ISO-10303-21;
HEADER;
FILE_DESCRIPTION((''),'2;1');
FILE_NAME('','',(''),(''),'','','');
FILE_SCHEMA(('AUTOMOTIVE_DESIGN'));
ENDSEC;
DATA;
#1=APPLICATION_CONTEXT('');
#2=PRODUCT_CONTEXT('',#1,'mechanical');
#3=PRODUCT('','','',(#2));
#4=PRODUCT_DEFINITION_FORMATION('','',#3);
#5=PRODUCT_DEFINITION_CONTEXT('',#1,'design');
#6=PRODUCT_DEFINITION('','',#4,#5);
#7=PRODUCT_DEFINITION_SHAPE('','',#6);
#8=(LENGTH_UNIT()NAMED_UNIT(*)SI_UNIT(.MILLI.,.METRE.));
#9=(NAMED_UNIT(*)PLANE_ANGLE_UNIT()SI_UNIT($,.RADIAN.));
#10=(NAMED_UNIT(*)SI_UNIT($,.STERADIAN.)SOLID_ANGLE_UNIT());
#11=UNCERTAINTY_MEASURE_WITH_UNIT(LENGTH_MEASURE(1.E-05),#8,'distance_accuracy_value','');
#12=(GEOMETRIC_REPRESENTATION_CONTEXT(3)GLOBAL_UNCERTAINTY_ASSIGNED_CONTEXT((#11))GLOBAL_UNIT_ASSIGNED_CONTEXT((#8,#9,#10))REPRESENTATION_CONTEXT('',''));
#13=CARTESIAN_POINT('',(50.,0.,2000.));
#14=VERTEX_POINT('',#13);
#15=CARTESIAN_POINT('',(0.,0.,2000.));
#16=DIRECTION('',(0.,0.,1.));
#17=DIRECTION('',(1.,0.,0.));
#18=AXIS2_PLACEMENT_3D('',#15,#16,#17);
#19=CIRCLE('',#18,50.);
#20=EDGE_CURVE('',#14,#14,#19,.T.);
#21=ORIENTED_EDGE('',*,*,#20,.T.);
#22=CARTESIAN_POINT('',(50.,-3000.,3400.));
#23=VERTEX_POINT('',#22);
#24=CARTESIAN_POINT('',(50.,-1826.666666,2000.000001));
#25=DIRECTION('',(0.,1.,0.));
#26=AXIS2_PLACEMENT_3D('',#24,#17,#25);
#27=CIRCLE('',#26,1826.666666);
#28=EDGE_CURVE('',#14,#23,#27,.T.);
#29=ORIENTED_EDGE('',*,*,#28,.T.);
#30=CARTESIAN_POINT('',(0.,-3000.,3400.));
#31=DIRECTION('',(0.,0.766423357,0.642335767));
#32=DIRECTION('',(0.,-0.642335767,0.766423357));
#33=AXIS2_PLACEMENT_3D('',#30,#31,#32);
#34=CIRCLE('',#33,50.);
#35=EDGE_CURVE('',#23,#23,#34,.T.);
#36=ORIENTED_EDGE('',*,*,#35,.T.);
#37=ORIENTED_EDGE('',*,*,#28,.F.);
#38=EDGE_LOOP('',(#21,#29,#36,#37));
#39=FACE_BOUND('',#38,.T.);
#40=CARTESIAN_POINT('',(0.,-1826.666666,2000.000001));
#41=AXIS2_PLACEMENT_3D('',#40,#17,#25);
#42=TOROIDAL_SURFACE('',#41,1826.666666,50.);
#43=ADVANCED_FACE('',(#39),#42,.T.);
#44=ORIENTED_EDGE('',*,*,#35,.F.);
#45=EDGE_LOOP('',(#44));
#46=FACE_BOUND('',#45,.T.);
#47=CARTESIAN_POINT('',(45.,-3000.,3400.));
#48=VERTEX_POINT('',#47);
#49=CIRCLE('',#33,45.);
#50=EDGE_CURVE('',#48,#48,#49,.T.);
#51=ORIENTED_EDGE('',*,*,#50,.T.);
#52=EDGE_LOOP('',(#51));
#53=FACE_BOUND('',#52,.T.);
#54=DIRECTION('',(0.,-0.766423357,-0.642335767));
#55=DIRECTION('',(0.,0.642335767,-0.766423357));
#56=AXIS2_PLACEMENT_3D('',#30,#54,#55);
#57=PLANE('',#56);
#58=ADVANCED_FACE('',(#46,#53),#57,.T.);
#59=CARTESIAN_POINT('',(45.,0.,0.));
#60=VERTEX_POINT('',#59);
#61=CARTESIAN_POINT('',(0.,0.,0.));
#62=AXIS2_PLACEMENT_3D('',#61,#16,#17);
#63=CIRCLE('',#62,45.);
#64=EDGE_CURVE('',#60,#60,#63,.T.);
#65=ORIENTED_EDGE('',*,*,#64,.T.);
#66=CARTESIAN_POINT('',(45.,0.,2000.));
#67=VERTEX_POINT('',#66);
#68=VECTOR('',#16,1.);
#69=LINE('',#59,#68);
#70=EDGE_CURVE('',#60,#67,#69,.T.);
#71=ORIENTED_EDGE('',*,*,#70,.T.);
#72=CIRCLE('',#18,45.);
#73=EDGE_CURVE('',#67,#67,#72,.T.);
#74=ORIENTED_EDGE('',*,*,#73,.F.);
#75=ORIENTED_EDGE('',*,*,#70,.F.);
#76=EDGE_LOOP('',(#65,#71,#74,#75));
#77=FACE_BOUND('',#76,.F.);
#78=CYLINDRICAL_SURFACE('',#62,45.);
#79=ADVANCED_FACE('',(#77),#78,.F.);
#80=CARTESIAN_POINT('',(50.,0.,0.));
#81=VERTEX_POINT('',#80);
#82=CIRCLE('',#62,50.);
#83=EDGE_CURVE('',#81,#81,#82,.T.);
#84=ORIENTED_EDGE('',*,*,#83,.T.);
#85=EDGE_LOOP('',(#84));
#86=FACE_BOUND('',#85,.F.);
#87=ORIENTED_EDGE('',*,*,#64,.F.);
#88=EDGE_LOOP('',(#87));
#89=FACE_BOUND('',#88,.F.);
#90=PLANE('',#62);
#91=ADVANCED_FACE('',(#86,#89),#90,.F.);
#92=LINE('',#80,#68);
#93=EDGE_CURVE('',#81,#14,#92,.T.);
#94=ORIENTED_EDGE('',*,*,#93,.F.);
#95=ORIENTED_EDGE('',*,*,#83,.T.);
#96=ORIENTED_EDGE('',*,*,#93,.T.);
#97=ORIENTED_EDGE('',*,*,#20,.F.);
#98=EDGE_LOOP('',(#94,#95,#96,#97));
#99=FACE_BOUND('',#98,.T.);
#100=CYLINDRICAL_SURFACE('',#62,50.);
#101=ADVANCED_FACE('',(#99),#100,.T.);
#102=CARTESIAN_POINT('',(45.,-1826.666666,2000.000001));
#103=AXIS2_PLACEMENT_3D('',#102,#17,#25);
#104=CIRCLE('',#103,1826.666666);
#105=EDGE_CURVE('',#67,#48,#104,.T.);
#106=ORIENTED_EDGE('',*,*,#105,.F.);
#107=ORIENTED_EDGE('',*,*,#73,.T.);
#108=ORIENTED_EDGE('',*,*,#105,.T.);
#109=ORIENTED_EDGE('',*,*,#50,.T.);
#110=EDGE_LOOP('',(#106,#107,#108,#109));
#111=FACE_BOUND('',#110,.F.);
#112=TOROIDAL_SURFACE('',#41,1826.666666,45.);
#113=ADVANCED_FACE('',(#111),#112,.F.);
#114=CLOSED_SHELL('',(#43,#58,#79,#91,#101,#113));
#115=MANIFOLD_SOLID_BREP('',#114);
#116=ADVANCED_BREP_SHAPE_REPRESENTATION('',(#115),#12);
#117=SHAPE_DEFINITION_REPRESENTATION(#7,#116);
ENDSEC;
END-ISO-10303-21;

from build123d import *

# Parameters (mm, degrees)
F1_R   = 50
F1_R_2 = 45


with BuildPart() as f2:
    # F2: sweep along a path in F0
    with BuildLine(Plane.YZ) as f2_path:
        Line((0, 0), (0, 2000))
        ThreePointArc((0, 2000), (-1054.195883, 3655.294536), (-3000, 3400))
    # F1 (on Top) → F2 (sweep)
    with BuildSketch(Plane.XY):
        Circle(F1_R)
        Circle(F1_R_2, mode=Mode.SUBTRACT)
    sweep(path=f2_path.line)


solid = f2.part
